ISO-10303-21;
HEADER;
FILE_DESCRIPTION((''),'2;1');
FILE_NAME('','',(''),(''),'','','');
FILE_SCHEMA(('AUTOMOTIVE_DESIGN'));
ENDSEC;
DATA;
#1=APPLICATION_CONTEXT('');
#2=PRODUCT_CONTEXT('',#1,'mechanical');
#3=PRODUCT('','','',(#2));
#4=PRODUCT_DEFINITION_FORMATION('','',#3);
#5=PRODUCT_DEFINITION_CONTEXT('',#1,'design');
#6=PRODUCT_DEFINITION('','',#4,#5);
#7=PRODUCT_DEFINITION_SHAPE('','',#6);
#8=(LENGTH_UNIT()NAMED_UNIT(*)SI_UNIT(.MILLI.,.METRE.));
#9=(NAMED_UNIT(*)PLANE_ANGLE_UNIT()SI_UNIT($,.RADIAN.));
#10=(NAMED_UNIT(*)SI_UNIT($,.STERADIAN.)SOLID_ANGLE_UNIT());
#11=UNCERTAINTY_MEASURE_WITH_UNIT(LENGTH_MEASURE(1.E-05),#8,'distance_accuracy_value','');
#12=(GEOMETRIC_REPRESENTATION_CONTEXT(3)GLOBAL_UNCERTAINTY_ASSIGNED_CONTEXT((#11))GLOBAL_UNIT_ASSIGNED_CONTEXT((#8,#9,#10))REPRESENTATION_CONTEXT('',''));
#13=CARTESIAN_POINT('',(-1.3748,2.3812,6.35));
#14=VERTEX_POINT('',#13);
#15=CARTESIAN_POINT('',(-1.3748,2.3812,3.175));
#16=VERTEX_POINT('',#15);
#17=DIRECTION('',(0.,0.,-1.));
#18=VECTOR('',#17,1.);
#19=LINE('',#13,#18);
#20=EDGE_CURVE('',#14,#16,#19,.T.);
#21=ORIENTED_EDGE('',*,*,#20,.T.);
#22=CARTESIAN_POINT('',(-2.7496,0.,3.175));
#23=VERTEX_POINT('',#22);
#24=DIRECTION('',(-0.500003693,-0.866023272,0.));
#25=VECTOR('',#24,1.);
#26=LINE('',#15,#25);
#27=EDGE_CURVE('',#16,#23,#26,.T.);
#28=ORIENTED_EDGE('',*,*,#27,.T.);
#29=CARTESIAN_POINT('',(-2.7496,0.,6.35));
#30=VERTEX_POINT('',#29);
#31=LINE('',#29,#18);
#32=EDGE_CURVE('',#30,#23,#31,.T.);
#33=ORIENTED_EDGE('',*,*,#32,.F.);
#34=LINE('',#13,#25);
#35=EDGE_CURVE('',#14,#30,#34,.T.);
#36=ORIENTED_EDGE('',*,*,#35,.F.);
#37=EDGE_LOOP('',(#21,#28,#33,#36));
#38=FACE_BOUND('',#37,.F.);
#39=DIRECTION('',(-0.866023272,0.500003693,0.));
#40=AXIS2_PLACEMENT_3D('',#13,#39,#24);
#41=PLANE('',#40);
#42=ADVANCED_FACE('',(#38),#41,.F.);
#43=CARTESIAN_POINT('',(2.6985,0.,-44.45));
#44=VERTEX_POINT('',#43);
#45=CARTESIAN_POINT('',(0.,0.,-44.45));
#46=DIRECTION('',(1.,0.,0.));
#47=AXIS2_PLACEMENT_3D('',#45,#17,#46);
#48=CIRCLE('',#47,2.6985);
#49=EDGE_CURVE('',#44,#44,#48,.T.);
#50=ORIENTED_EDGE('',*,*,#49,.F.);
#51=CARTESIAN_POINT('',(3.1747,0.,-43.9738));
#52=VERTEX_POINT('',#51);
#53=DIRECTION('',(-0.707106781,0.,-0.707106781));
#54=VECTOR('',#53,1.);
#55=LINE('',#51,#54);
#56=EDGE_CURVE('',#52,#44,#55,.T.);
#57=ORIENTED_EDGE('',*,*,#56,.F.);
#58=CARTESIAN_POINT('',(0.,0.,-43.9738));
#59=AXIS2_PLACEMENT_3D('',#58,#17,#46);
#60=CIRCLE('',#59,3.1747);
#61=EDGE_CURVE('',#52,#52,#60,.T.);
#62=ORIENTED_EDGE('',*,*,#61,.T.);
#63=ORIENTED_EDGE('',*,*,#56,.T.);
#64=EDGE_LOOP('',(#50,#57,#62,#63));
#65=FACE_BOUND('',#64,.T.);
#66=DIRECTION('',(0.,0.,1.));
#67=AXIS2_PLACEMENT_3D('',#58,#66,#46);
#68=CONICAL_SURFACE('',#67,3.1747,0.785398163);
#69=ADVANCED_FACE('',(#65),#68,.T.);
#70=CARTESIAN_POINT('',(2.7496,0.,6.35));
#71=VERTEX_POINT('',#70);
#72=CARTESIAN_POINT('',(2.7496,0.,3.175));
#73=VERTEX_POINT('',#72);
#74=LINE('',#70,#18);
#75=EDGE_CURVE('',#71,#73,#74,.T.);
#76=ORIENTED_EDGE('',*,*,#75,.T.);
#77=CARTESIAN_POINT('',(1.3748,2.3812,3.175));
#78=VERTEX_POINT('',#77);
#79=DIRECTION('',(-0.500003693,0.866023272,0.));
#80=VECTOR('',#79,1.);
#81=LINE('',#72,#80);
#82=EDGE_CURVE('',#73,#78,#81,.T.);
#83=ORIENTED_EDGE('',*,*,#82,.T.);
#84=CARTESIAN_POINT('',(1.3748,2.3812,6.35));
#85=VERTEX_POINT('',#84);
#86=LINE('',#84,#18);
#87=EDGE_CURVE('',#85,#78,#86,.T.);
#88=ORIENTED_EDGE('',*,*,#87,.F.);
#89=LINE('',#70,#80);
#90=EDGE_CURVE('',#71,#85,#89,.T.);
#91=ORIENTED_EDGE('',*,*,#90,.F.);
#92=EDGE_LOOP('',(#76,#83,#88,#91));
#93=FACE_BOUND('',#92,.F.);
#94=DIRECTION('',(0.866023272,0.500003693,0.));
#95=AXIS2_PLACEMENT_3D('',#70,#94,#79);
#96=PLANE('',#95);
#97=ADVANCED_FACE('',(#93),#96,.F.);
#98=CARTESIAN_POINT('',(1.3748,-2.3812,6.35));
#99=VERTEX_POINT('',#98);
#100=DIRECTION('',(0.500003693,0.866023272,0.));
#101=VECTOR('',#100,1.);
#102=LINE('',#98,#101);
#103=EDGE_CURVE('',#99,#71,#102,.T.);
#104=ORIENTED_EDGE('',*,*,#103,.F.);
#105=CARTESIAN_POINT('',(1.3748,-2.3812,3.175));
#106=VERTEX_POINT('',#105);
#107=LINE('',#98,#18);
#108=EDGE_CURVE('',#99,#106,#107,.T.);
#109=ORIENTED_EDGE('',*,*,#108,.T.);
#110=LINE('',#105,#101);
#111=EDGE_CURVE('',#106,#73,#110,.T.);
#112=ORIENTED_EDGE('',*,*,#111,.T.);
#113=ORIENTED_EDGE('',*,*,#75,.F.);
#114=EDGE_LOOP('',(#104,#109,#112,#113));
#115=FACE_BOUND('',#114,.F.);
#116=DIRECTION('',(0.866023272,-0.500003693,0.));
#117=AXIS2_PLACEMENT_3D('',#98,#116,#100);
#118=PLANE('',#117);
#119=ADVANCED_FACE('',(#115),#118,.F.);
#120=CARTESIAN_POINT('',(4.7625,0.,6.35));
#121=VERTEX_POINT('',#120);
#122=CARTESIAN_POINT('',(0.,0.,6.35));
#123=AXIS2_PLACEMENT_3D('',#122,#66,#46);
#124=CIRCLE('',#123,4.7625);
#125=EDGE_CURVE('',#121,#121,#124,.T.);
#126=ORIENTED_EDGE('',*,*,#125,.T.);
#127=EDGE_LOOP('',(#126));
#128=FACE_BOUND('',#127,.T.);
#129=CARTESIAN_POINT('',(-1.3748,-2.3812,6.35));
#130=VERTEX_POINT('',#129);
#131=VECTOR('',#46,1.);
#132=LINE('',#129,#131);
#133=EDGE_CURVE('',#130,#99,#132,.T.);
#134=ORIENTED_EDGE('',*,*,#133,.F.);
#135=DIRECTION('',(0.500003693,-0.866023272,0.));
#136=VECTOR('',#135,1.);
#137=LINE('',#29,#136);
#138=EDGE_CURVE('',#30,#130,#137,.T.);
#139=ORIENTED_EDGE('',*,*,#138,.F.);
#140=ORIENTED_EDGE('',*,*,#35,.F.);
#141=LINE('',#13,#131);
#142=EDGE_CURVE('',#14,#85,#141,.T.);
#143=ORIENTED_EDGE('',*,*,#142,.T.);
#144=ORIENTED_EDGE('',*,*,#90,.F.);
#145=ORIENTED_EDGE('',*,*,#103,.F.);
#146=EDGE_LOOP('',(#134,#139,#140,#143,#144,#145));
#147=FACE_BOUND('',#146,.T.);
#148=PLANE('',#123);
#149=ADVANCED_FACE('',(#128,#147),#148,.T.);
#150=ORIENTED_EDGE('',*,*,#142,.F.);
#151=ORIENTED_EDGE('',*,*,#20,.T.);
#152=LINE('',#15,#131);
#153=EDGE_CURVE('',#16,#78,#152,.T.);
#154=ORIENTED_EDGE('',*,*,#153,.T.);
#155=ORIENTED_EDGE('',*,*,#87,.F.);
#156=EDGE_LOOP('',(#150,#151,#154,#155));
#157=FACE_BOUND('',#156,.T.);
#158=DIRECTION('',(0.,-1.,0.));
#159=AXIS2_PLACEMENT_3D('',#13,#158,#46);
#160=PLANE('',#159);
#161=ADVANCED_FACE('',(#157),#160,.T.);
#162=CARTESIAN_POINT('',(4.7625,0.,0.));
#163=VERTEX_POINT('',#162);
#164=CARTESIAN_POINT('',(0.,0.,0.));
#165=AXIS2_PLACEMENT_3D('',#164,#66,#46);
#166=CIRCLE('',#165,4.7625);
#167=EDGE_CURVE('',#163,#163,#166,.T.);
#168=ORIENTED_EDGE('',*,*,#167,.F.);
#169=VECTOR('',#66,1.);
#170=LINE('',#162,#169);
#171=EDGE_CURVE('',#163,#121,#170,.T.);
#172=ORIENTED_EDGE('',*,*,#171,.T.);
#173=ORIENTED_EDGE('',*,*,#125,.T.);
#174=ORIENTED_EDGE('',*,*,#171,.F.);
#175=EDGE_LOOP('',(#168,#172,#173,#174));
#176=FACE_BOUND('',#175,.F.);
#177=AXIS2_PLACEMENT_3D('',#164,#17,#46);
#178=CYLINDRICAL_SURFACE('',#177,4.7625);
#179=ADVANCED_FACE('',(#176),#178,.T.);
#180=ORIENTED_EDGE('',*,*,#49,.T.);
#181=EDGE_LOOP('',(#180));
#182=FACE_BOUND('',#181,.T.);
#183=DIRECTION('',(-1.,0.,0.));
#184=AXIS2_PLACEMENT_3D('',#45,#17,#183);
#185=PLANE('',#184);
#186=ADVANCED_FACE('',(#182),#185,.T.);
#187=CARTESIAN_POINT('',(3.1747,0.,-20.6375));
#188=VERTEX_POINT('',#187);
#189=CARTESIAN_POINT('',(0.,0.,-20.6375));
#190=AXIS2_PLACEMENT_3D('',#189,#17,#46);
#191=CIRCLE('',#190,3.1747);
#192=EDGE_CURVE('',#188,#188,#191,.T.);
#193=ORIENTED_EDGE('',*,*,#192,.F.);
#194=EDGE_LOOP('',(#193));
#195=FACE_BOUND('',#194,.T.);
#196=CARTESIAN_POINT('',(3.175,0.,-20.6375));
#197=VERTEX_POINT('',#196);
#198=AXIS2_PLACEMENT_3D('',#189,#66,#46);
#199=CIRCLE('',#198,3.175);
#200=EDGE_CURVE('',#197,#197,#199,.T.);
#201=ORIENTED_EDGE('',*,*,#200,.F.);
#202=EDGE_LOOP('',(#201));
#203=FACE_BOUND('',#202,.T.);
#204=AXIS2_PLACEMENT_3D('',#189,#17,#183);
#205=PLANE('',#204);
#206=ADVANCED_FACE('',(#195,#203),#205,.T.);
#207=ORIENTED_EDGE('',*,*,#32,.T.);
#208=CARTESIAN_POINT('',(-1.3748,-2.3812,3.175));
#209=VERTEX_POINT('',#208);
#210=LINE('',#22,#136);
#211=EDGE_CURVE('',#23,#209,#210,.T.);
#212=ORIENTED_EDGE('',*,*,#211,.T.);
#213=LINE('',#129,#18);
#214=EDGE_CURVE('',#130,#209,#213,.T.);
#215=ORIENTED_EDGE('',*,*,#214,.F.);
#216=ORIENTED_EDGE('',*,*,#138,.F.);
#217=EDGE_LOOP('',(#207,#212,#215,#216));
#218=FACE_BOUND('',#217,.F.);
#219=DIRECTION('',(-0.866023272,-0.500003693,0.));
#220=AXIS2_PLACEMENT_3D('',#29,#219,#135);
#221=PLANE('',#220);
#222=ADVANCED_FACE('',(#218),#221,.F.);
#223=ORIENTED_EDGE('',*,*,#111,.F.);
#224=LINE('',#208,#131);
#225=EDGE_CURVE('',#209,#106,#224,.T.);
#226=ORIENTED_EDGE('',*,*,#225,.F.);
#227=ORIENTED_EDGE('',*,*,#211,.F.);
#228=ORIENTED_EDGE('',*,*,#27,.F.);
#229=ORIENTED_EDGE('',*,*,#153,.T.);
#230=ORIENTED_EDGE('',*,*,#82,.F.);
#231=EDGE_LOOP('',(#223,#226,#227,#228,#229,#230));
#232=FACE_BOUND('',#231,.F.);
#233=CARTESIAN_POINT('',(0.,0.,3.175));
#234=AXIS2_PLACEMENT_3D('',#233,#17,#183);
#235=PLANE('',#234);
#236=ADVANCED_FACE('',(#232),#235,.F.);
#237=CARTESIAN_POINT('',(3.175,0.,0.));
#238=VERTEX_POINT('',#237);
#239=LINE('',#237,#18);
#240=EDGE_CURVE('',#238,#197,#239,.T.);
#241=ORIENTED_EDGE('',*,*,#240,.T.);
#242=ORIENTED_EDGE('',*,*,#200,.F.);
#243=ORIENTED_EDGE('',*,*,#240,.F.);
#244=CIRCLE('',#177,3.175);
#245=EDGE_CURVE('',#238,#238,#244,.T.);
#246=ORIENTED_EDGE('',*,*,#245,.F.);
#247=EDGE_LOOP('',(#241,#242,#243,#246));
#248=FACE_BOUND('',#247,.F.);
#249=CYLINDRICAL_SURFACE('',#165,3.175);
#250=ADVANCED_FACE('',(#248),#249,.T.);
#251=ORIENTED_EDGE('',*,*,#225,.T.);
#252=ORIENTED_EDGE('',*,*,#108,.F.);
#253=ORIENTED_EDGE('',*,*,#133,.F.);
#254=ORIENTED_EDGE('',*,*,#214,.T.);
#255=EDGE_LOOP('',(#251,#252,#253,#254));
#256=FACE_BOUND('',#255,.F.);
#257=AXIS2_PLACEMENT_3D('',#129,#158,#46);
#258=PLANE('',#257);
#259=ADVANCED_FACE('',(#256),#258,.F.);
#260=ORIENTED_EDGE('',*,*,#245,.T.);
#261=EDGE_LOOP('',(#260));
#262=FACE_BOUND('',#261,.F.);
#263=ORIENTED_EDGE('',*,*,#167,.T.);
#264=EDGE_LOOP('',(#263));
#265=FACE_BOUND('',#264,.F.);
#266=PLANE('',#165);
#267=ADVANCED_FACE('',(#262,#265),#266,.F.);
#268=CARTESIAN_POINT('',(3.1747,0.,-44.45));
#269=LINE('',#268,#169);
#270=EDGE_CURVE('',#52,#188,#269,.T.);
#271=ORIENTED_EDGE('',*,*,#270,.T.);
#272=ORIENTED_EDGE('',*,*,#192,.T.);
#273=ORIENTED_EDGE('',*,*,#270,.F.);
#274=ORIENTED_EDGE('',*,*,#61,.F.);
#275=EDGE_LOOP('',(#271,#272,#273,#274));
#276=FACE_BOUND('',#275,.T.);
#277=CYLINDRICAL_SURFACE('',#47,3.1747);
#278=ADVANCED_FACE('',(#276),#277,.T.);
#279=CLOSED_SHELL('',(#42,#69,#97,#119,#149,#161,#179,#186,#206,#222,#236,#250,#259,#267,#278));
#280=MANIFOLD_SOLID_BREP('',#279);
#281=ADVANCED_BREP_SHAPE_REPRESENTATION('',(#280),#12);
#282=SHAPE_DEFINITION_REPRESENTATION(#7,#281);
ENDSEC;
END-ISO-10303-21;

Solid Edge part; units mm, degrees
sketch "Sketch1" plane through (0, 0, 0) normal (0, 0, 1) x (1, 0, 0)
  circle A0 centre (0, 0) radius 4.7625
  dimension "D1" = 9.525
extrude "Protrusion1" add sketch "Sketch1" along normal blind 6.35
sketch "Sketch2" plane through (0, 0, 0) normal (0, 0, -1) x (1, 0, 0)
  circle A0 centre (0, 0) radius 3.175
extrude "Protrusion2" add sketch "Sketch2" along normal blind 44.45
sketch "Sketch3" plane through (0, 0, -44.45) normal (0, 0, -1) x (1, 0, 0)
  circle A0 centre (0, 0) radius 3.1747
extrude "Cutout1" cut sketch "Sketch3" against normal blind 23.8125 flip side to cut
chamfer "Chamfer_1" distance 0.4762 angle 45 1 edges at (-3.1747, 0, -44.45)
sketch "Sketch4" plane through (0, 0, 6.35) normal (0, 0, 1) x (1, 0, 0)
  line L0 (-1.3748, 2.3812) -> (1.3748, 2.3812)
  line L1 (2.7496, 0) -> (1.3748, 2.3812)
  line L2 (1.3748, -2.3812) -> (2.7496, 0)
  line L3 (-1.3748, -2.3812) -> (1.3748, -2.3812)
  line L4 (-2.7496, 0) -> (-1.3748, -2.3812)
  line L5 (-1.3748, 2.3812) -> (-2.7496, 0)
  dimension "D1" = 4.7625
extrude "Cutout2" cut sketch "Sketch4" against normal blind 3.175
properties part number "185680"
